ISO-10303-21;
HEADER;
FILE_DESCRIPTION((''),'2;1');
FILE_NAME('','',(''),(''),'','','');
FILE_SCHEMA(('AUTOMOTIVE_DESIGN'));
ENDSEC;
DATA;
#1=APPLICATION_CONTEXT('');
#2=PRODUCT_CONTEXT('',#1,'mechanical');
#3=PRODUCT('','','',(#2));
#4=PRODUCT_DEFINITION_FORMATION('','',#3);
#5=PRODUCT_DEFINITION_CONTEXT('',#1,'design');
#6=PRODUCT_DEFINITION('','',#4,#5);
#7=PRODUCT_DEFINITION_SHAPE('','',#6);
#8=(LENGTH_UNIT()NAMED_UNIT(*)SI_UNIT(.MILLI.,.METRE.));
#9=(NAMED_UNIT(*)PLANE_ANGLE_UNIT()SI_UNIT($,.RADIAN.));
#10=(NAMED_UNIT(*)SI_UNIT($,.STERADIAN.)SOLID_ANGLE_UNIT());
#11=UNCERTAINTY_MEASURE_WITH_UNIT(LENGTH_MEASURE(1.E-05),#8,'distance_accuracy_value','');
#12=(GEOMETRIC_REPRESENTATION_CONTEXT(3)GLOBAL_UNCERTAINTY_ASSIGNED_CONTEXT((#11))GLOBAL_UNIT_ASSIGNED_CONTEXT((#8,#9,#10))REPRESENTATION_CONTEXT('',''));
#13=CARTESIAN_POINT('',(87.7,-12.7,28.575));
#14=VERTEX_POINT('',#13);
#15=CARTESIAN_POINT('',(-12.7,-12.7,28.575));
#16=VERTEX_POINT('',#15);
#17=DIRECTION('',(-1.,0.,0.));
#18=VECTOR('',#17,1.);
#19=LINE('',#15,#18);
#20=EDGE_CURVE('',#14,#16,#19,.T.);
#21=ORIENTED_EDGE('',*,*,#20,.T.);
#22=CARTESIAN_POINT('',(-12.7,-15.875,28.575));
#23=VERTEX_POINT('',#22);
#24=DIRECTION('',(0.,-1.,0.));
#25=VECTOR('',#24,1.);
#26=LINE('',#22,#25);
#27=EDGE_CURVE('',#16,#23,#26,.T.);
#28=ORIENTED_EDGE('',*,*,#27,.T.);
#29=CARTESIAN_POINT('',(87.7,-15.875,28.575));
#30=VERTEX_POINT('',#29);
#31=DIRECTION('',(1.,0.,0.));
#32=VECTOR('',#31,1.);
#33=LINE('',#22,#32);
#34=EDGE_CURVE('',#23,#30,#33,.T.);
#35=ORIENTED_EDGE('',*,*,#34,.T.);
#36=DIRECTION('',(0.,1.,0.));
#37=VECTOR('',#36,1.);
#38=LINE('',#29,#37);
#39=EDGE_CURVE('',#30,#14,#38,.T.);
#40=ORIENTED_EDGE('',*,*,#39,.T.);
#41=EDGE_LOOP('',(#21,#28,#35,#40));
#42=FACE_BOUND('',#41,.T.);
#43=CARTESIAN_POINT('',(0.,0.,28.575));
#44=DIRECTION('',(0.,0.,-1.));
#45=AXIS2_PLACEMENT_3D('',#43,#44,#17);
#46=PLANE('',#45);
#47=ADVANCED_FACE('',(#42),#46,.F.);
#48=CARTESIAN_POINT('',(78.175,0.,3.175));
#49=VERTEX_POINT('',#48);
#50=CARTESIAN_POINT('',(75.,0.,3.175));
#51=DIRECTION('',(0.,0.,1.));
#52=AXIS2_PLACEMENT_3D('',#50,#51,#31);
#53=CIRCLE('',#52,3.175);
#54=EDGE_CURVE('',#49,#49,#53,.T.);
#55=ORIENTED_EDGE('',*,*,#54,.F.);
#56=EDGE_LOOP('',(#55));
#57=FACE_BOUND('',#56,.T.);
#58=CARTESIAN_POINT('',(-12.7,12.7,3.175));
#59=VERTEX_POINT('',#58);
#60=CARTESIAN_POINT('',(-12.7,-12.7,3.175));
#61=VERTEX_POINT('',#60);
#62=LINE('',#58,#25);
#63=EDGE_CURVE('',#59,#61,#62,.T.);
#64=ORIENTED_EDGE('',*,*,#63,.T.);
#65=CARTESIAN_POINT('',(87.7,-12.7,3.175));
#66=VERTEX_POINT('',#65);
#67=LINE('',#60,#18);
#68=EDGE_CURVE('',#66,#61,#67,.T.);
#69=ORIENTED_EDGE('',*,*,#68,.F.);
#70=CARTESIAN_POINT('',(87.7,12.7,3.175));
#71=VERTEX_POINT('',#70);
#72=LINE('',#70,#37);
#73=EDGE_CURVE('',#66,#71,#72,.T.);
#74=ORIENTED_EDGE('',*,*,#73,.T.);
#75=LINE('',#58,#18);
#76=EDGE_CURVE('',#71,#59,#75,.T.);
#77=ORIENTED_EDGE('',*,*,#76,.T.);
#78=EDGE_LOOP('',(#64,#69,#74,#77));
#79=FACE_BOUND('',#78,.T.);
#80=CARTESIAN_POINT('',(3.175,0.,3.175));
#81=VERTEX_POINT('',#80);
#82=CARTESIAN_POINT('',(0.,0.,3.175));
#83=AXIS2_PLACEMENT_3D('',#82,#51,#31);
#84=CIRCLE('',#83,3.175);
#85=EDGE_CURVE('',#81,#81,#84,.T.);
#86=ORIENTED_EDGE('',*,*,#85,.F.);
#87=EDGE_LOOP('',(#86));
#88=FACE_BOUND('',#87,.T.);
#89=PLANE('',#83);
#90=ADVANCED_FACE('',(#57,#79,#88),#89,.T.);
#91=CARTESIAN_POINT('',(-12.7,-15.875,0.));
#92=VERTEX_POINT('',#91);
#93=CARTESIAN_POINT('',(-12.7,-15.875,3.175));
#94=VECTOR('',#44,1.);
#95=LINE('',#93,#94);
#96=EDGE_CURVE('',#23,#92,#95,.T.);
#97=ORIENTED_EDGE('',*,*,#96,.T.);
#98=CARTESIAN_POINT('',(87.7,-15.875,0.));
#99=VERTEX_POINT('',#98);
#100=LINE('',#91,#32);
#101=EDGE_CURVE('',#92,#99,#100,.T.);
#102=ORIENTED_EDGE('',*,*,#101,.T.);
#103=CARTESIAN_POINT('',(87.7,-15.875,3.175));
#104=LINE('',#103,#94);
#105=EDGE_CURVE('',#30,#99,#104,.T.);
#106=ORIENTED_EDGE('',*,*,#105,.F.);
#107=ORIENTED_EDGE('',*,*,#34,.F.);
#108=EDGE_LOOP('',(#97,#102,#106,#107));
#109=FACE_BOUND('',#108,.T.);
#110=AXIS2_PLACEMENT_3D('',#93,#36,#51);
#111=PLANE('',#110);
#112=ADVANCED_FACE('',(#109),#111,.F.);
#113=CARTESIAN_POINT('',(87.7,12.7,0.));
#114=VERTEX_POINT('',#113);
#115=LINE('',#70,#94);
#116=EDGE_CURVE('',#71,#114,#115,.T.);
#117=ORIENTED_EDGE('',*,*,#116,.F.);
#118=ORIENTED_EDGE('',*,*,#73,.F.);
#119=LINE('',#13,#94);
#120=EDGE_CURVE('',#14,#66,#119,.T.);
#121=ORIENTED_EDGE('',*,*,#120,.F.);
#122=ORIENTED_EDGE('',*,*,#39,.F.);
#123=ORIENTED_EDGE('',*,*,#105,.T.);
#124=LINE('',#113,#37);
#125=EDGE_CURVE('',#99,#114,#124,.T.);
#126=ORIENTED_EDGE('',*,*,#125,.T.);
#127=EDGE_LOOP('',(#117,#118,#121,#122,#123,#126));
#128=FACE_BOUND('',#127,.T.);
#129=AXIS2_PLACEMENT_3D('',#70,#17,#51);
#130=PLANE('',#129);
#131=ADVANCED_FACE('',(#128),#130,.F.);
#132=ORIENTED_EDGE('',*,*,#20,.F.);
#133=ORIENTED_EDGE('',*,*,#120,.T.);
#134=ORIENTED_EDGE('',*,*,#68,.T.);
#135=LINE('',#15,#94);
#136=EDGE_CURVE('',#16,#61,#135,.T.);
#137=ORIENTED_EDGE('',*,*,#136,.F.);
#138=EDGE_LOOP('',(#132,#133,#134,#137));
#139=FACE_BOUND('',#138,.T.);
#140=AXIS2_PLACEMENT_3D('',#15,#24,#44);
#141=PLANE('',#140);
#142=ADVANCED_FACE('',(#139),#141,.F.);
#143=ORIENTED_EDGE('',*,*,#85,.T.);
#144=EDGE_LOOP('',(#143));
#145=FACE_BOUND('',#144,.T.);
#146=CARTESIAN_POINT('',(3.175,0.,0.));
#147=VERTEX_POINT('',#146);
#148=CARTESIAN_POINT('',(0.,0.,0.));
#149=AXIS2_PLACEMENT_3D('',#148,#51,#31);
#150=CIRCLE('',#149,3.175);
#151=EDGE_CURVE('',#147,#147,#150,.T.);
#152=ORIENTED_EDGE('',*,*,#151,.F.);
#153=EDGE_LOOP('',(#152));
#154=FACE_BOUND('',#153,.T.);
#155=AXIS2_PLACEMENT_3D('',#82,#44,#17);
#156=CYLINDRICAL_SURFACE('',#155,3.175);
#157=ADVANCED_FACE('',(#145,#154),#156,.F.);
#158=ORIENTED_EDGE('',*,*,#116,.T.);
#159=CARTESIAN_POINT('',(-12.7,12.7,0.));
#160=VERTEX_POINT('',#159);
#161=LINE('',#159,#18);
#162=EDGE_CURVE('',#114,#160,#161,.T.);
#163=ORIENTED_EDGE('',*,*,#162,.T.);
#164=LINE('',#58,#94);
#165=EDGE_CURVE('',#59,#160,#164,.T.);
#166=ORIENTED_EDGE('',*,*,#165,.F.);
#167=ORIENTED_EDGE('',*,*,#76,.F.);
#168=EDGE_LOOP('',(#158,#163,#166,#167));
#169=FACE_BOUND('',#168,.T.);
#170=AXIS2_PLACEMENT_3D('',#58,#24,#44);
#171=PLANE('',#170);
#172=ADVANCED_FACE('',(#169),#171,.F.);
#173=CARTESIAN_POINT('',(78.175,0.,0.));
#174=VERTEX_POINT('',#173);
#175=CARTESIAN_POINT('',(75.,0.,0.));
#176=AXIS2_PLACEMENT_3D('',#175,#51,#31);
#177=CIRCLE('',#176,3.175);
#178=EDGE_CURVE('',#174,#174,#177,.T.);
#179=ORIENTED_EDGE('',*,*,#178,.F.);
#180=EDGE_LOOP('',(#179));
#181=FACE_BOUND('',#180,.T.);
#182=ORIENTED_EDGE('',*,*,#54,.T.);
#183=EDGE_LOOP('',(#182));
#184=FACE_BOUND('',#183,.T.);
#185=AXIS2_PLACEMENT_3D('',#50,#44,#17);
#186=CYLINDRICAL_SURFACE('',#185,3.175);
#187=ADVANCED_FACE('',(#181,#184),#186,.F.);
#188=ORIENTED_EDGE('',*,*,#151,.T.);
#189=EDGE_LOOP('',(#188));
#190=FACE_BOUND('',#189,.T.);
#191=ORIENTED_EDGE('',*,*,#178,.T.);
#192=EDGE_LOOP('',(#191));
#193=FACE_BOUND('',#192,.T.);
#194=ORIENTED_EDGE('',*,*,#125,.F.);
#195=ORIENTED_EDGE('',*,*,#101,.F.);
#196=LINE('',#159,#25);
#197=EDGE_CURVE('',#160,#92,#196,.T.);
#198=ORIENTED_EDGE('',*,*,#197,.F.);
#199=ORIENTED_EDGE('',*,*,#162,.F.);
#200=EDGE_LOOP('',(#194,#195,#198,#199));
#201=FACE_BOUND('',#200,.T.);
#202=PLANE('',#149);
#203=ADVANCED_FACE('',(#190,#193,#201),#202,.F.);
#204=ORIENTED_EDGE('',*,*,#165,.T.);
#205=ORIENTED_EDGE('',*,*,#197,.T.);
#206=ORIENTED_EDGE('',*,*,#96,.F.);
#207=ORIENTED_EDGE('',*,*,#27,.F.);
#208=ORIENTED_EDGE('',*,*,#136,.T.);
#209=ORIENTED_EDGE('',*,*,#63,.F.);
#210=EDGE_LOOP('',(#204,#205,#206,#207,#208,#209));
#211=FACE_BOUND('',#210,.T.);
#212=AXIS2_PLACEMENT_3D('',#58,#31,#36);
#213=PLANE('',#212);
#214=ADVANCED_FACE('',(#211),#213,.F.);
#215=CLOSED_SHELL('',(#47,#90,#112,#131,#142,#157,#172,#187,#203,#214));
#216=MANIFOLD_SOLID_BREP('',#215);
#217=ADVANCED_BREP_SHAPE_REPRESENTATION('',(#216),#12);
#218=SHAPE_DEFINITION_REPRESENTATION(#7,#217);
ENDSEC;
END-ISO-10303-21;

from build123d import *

# Parameters (mm, degrees)
SKETCH1_W           = 100.4
SKETCH1_H           = 28.575
SKETCH1_R           = 3.175
BOSS_EXTRUDE1_DEPTH = 3.175
SKETCH2_W           = 100.4
SKETCH2_H           = 3.175
BOSS_EXTRUDE2_DEPTH = 25.4


with BuildPart() as part:
    # Sketch1 → Boss-Extrude1 (new body)
    with BuildSketch(Plane.XY):
        with Locations((37.5, -1.5875)):
            Rectangle(SKETCH1_W, SKETCH1_H)
        Circle(SKETCH1_R, mode=Mode.SUBTRACT)
        with Locations((75, 0)):
            Circle(SKETCH1_R, mode=Mode.SUBTRACT)
    extrude(amount=BOSS_EXTRUDE1_DEPTH)

    # Sketch2 → Boss-Extrude2 (add)
    with BuildSketch(Plane.XY.offset(3.175)):
        with Locations((37.5, -14.2875)):
            Rectangle(SKETCH2_W, SKETCH2_H)
    extrude(amount=BOSS_EXTRUDE2_DEPTH)


solid = part.part
